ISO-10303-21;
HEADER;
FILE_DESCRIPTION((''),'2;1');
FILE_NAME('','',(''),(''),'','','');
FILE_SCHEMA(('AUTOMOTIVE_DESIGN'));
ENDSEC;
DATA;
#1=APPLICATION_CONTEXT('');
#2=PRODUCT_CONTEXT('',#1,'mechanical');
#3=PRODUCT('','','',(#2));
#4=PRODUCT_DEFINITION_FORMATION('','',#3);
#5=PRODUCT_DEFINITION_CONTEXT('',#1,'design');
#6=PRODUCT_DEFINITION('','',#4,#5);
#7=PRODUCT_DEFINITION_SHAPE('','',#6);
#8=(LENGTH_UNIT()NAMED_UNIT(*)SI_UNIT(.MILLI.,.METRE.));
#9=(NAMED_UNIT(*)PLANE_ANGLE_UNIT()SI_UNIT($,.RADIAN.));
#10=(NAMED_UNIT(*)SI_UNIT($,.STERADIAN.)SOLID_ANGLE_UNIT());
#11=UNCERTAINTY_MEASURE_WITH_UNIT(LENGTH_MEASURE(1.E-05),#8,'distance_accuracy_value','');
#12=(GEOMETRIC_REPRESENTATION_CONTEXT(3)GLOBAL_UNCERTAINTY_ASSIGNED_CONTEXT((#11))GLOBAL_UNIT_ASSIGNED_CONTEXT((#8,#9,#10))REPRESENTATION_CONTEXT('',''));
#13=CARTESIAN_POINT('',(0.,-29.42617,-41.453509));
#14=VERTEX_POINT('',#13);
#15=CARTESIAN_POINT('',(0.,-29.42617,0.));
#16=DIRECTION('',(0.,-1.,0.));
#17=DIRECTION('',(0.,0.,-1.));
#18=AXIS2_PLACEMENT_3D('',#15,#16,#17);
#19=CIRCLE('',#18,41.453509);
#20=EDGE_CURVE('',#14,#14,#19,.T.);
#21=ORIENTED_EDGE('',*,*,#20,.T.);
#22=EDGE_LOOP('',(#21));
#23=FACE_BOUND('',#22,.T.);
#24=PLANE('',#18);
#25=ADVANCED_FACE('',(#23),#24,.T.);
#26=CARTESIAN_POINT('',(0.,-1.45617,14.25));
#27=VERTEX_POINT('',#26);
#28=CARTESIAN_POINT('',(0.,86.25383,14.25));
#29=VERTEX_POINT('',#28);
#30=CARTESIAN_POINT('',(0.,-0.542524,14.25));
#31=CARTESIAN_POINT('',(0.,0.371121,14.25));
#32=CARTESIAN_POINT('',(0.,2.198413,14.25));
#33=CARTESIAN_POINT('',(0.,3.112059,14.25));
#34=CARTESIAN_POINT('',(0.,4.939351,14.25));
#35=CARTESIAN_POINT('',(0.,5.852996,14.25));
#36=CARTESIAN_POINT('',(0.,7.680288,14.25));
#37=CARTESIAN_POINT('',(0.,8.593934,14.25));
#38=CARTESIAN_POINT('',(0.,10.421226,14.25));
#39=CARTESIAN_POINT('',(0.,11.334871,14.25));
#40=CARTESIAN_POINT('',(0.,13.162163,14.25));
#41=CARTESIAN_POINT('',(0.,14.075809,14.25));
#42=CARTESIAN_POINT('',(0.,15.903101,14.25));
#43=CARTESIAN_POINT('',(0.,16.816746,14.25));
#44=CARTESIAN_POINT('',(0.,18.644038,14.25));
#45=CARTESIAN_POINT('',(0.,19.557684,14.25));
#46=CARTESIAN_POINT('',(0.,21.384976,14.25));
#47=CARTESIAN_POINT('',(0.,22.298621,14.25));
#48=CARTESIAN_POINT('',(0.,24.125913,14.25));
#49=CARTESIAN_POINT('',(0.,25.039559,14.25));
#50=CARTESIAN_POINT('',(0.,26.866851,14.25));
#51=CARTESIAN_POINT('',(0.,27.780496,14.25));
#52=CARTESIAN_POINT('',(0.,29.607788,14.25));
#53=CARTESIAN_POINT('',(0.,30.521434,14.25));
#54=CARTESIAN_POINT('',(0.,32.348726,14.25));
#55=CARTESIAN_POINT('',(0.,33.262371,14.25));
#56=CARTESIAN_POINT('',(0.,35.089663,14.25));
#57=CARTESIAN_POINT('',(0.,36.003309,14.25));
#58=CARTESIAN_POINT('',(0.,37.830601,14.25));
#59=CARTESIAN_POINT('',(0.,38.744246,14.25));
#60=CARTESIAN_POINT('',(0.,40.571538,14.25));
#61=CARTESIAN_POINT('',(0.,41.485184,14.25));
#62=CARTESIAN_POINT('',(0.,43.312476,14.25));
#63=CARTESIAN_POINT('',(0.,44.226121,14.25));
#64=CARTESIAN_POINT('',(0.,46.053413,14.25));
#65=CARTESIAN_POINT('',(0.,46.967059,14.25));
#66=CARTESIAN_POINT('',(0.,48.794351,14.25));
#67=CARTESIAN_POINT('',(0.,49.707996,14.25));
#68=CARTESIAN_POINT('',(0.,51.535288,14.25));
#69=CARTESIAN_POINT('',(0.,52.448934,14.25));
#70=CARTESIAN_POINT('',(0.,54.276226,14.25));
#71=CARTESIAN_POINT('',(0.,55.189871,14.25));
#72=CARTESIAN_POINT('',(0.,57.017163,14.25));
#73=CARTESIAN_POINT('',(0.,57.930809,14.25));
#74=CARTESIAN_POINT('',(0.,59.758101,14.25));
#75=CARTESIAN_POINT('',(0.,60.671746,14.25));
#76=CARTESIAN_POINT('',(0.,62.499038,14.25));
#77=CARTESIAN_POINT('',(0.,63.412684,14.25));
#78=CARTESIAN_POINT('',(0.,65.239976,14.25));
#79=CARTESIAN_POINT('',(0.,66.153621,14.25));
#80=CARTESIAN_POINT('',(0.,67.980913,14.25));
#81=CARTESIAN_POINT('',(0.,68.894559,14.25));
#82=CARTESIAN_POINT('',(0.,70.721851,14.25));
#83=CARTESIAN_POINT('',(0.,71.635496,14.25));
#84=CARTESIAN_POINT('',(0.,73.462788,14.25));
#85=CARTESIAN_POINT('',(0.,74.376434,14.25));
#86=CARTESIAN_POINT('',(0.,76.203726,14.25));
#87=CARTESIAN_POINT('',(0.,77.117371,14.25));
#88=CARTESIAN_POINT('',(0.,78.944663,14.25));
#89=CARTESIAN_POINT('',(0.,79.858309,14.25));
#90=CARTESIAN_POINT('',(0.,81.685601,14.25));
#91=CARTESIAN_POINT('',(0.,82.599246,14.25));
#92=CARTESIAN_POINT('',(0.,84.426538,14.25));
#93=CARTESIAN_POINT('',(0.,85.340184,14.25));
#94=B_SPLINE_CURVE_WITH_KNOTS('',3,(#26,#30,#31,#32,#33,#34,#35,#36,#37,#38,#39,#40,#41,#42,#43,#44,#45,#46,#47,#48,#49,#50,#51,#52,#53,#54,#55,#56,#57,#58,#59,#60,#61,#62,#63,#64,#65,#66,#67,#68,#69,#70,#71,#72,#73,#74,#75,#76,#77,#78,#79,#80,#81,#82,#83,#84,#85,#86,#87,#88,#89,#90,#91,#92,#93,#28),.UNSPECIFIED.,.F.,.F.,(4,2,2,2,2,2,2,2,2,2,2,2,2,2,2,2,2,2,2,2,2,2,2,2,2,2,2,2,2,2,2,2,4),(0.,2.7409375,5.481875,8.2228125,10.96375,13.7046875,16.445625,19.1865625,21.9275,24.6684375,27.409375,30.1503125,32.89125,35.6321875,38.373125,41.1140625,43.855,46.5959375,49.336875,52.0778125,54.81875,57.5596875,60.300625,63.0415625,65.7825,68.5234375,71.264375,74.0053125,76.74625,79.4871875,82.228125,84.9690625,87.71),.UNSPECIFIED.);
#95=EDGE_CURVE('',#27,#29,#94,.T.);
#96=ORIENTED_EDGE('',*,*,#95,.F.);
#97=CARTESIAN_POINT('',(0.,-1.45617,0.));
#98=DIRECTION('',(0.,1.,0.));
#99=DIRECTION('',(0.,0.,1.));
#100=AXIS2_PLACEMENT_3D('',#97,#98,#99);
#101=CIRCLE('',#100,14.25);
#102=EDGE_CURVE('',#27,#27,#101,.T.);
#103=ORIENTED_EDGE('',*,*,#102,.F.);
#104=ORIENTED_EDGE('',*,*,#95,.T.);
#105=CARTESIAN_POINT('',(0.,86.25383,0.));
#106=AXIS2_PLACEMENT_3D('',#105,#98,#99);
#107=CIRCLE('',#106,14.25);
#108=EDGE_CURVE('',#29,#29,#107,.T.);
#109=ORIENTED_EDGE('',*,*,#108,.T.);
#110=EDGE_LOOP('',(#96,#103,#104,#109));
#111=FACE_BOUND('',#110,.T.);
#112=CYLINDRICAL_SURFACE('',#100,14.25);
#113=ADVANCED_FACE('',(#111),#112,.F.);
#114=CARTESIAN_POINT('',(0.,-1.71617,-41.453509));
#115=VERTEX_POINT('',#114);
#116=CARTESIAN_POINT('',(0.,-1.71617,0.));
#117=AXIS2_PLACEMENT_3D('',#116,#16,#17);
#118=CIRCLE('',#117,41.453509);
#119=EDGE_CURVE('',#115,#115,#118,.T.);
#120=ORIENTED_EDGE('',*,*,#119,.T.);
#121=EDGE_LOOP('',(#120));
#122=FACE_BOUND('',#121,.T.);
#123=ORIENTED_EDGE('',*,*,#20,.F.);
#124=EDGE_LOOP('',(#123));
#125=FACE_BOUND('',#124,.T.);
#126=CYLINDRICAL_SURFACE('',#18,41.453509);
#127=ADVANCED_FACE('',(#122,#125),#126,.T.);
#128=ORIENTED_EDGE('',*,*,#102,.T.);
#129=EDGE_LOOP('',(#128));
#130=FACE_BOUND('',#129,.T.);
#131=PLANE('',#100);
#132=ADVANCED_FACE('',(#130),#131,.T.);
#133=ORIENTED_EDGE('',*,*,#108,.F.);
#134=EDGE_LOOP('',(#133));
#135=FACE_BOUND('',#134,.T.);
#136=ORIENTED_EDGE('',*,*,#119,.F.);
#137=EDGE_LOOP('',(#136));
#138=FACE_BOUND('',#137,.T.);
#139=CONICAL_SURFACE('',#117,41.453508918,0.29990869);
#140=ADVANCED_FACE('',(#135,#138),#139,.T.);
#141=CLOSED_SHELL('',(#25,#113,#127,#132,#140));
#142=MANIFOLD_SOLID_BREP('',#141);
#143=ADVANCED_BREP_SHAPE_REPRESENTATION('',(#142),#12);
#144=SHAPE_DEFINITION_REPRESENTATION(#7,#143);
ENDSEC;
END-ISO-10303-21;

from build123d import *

# Parameters (mm, degrees)
SKETCH2_R          = 14.25
CUT_EXTRUDE1_DEPTH = 87.71


with BuildPart() as part:
    # Sketch1 → Revolve2 (revolve)
    with BuildSketch(Plane.XY, mode=Mode.PRIVATE) as revolve2_sk:
        Polygon((0, -29.426170213), (41.453508918, -29.426170213), (41.453508918, -1.716170213), (14.25, 86.253829787), (0, 86.253829787), align=None)
    revolve(revolve2_sk.sketch.rotate(Axis((0, -29.426170213, 0), (0, 1, 0)), 90), axis=Axis((0, -29.426170213, 0), (0, 1, 0)))

    # Sketch2 → Cut-Extrude1 (cut)
    with BuildSketch(Plane(origin=(0, 86.253829787, 0), x_dir=(1, 0, 0), z_dir=(0, 1, 0))):
        with Locations(Location((0, 0, 0), (0, 0, 270))):
            Circle(SKETCH2_R)
    extrude(amount=-CUT_EXTRUDE1_DEPTH, mode=Mode.SUBTRACT)


solid = part.part
